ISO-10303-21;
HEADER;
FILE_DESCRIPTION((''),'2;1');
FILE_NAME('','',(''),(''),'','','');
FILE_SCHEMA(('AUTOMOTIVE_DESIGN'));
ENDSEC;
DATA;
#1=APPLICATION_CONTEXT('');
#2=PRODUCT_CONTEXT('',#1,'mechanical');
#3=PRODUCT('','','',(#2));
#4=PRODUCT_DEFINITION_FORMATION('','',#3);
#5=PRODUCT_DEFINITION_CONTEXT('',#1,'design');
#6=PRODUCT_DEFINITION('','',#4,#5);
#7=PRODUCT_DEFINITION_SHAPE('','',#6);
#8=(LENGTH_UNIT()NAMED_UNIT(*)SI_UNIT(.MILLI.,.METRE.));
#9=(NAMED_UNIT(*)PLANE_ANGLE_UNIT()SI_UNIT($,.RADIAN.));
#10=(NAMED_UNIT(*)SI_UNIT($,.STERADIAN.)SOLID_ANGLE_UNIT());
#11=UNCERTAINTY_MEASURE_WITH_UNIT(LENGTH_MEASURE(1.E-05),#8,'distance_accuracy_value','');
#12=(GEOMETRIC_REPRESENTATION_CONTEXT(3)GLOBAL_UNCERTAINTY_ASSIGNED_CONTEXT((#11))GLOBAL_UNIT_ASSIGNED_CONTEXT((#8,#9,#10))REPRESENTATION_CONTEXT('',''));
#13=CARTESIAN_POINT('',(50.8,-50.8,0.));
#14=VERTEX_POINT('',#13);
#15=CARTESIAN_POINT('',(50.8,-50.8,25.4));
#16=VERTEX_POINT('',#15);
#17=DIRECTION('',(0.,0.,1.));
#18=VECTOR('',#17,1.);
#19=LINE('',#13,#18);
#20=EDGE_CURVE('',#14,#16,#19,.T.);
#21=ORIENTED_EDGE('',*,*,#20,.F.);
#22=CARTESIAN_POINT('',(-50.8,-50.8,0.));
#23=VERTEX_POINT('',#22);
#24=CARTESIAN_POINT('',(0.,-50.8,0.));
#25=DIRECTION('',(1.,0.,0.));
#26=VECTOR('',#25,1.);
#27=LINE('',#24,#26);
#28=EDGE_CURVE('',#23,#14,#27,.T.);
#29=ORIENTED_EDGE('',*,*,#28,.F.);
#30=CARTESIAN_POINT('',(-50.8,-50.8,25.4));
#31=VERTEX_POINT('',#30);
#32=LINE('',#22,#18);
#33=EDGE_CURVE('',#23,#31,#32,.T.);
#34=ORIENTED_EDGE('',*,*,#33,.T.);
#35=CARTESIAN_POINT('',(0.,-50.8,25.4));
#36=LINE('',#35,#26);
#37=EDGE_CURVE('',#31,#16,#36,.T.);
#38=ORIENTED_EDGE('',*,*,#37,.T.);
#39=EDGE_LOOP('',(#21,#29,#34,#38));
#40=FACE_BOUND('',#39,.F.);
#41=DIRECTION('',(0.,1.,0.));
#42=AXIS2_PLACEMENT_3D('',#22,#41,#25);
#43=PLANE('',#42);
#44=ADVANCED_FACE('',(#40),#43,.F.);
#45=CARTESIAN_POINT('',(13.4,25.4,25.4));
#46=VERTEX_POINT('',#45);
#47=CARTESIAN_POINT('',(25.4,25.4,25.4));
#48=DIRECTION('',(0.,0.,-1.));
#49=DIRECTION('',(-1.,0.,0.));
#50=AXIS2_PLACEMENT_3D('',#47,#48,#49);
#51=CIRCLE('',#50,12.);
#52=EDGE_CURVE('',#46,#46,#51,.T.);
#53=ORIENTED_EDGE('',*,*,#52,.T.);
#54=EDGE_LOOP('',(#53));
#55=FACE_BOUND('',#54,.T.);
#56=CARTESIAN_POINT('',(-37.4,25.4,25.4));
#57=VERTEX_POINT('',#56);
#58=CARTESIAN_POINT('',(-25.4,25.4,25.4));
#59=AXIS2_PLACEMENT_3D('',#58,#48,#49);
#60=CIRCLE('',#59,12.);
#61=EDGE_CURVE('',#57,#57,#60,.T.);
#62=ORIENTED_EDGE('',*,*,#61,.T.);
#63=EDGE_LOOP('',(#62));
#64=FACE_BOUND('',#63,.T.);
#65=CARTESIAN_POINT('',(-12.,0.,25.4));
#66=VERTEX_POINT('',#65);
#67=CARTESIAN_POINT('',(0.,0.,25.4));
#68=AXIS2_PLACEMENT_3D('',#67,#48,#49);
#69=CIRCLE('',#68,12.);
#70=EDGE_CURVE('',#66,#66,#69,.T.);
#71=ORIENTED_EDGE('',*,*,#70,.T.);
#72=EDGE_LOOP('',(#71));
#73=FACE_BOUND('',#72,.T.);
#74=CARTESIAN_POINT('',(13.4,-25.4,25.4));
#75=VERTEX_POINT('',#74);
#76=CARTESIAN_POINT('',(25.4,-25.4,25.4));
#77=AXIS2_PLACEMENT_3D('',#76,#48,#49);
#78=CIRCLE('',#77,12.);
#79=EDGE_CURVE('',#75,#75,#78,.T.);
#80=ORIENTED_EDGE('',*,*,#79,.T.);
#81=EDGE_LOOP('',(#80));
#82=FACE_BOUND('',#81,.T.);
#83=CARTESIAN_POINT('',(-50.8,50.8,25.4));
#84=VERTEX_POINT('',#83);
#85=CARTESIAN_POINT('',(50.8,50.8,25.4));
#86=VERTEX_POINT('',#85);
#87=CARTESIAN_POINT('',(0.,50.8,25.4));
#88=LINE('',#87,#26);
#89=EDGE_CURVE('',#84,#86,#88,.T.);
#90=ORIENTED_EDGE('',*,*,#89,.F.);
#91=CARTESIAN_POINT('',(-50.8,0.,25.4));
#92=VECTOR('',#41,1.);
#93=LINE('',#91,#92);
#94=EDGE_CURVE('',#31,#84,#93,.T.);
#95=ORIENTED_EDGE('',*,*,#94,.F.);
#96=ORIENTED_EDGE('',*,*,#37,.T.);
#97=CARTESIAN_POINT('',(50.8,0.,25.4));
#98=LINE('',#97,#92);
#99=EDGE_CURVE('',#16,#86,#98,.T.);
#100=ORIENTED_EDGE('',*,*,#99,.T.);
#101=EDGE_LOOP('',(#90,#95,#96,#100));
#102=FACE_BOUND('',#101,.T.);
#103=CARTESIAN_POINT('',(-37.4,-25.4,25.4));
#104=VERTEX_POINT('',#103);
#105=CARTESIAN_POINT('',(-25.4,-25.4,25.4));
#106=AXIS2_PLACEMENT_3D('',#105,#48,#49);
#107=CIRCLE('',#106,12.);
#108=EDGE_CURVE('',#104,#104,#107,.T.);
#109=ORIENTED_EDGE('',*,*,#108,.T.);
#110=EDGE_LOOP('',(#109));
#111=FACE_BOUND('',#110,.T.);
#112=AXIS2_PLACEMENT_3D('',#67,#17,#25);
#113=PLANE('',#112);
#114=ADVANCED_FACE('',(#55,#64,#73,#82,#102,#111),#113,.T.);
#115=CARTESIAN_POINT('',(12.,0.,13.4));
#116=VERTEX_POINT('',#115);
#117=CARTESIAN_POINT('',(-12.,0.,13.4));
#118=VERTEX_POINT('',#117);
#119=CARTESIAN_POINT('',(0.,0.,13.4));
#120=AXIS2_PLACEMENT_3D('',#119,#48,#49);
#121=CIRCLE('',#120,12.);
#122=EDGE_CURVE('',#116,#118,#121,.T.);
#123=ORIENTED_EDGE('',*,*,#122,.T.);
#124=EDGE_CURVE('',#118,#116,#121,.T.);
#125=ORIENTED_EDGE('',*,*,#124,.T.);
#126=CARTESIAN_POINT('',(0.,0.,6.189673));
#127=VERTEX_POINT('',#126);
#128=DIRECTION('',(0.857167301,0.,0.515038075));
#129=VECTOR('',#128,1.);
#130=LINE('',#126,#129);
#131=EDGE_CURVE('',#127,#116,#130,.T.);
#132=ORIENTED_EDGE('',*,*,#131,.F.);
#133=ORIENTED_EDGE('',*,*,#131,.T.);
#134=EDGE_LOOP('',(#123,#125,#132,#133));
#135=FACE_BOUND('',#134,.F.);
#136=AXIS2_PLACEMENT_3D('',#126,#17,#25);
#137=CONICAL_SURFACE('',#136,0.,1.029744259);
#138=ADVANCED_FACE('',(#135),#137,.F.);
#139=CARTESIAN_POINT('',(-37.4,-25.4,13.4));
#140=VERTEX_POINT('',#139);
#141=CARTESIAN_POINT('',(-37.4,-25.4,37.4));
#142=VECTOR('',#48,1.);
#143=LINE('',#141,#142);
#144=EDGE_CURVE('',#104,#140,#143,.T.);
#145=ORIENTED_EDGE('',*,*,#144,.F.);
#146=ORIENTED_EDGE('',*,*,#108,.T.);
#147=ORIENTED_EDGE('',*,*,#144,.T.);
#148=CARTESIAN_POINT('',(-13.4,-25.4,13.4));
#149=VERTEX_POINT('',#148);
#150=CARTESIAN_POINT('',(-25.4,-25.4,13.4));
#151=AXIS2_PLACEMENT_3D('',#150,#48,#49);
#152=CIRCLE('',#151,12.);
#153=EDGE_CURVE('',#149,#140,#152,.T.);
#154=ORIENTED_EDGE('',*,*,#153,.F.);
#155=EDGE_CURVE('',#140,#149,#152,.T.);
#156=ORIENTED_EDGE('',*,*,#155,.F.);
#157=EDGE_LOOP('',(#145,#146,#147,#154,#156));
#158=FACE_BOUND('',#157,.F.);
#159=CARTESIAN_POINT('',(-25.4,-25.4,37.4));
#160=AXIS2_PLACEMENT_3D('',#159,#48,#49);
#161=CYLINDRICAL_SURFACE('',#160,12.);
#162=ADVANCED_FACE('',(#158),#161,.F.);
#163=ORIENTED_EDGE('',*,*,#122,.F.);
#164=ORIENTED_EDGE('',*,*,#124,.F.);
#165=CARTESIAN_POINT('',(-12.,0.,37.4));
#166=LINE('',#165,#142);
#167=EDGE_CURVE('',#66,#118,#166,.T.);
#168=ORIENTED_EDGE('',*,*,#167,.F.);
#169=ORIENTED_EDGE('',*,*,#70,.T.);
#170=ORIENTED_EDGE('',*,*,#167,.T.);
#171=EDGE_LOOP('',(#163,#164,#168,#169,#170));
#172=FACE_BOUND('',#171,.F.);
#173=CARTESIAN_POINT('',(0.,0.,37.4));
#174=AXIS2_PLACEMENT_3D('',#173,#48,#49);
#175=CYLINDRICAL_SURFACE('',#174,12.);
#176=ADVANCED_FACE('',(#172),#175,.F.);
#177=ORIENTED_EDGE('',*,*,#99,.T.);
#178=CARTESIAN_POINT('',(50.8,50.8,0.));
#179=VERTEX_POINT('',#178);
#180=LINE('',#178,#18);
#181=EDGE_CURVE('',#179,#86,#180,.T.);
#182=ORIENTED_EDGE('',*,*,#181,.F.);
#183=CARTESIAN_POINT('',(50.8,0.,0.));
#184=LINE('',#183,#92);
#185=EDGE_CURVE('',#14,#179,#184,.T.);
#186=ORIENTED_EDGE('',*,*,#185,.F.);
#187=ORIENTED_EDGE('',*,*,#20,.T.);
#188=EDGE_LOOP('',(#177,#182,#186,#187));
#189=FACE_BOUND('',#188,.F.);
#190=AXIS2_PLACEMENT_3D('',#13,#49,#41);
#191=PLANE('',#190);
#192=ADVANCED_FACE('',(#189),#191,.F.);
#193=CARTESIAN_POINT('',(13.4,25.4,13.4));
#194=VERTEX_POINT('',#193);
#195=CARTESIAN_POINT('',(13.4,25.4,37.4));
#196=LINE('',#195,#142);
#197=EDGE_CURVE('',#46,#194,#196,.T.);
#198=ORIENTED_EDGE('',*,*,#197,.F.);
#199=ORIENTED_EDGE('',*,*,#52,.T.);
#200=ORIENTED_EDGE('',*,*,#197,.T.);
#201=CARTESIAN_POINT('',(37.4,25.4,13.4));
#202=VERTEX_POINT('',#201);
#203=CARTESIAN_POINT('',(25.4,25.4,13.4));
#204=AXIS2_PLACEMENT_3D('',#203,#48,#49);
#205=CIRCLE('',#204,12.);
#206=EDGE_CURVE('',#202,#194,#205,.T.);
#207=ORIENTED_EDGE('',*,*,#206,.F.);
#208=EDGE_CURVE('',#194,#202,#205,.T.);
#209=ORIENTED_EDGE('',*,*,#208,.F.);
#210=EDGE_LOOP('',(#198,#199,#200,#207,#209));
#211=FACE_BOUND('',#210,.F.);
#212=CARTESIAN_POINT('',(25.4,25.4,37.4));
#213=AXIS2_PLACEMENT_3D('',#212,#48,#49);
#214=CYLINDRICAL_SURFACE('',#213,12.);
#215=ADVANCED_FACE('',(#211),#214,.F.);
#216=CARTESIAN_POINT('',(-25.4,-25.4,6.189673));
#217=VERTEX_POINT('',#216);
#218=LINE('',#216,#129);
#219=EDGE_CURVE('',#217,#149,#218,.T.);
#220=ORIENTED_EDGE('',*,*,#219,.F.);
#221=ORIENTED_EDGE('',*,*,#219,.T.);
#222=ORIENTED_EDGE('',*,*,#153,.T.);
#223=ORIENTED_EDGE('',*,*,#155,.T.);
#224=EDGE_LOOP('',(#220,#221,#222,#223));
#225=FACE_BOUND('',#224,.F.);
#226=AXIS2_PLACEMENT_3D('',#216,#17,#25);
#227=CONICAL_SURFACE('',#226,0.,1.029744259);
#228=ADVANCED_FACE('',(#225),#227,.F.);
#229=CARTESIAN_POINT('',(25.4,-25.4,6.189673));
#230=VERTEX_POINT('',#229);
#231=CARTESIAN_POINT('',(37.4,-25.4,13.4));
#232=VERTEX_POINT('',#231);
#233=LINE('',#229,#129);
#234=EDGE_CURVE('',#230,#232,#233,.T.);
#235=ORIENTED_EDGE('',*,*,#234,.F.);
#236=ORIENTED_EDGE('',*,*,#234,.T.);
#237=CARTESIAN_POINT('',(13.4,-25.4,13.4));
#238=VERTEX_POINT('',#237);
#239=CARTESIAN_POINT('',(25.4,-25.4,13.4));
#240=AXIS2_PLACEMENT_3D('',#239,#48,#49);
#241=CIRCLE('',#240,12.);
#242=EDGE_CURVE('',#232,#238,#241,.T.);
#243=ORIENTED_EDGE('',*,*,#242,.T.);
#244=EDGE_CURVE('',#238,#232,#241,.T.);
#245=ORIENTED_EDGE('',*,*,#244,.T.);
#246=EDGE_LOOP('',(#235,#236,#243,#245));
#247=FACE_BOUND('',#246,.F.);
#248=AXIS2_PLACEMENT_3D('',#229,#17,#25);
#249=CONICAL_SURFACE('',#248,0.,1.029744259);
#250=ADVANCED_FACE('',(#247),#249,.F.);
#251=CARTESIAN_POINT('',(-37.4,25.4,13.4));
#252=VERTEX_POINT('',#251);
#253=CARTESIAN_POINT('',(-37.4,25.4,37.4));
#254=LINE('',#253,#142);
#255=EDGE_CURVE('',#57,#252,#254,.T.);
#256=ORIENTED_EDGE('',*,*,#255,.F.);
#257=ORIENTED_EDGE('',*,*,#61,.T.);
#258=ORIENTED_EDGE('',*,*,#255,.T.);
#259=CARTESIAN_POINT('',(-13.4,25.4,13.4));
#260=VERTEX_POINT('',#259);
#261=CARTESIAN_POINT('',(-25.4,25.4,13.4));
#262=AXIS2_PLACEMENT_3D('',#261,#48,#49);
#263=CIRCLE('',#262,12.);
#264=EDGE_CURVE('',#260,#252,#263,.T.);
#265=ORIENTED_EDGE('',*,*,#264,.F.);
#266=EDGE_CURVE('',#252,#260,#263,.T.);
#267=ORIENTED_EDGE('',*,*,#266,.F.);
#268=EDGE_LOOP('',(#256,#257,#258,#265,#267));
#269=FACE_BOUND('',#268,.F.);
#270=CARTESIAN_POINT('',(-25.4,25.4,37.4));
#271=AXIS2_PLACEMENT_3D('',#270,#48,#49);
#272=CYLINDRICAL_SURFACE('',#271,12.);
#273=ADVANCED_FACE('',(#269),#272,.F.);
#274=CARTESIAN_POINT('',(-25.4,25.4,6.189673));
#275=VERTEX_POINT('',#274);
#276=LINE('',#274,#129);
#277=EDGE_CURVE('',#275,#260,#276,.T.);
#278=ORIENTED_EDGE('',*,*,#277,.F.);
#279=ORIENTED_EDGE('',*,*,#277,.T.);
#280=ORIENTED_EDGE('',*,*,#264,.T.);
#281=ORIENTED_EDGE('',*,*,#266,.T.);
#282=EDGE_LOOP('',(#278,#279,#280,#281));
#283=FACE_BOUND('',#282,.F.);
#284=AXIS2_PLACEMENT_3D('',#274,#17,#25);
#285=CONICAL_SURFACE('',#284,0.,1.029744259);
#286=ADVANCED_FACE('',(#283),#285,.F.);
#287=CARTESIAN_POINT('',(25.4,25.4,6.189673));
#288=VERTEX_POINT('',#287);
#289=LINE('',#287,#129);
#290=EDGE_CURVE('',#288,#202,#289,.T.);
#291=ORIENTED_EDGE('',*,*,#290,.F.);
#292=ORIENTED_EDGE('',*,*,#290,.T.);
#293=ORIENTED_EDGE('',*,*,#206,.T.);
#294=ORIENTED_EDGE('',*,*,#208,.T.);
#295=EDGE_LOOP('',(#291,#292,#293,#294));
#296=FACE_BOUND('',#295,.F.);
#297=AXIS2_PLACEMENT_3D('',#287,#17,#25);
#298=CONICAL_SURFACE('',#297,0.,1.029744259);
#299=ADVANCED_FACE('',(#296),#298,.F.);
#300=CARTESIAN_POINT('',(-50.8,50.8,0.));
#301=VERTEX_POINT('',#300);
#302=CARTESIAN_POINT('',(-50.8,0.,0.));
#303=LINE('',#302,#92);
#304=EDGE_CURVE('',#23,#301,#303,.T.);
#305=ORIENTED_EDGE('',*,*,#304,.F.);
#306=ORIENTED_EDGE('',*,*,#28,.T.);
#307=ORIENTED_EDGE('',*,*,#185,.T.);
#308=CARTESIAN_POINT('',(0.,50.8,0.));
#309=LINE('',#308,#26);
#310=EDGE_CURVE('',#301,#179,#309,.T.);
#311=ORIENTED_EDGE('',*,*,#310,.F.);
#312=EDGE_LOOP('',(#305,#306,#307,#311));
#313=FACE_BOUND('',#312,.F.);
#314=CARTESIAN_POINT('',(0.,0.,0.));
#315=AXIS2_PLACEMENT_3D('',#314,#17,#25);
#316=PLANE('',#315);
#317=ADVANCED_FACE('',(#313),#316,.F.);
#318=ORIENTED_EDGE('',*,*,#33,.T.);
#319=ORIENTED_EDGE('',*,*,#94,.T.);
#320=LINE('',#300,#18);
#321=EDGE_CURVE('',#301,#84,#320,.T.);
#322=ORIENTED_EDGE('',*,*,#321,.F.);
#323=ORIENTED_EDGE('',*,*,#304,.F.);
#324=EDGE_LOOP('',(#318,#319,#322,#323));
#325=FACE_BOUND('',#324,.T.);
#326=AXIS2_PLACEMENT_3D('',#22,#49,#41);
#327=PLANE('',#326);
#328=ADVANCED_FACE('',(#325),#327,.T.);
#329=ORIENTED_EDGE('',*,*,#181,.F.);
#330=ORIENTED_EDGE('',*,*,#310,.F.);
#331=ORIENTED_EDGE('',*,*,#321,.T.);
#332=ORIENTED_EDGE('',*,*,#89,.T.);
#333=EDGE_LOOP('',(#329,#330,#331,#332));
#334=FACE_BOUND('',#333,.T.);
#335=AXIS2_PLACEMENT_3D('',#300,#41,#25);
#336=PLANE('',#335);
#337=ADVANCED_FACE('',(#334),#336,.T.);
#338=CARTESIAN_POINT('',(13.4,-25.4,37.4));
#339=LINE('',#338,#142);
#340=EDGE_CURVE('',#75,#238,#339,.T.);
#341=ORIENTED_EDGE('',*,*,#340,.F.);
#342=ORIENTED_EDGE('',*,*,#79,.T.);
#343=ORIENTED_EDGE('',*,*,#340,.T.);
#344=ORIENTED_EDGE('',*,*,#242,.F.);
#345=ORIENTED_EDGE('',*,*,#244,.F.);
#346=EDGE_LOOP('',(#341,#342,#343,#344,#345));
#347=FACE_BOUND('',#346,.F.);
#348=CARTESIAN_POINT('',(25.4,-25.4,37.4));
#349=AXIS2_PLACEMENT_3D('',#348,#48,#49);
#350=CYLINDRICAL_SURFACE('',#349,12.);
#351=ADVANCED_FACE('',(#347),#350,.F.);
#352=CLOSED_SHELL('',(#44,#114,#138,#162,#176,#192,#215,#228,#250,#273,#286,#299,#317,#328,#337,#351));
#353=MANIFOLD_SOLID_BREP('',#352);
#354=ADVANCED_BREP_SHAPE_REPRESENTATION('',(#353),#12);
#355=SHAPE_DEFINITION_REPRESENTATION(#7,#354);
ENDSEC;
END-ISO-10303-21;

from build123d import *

# Parameters (mm, degrees)
F0_W     = 101.6
F0_H     = 101.6
F1_DEPTH = 25.4
F3_D     = 24
F3_DEPTH = 12
F3_TIP   = 7.2103274283


with BuildPart() as f1:
    # F0 (on Top) → F1 (new body)
    with BuildSketch(Plane.XY):
        Rectangle(F0_W, F0_H)
    extrude(amount=F1_DEPTH)

    # F3
    with Locations(Plane.XY.offset(25.4)):
        with Locations((-25.4, 25.4), (25.4, 25.4), (0, 0), (25.4, -25.4), (-25.4, -25.4)):
            Hole(F3_D / 2, depth=F3_DEPTH)
            with Locations((0, 0, -(F3_DEPTH + F3_TIP / 2))):  # 118° drill point
                Cone(0, F3_D / 2, F3_TIP, mode=Mode.SUBTRACT)


solid = f1.part
